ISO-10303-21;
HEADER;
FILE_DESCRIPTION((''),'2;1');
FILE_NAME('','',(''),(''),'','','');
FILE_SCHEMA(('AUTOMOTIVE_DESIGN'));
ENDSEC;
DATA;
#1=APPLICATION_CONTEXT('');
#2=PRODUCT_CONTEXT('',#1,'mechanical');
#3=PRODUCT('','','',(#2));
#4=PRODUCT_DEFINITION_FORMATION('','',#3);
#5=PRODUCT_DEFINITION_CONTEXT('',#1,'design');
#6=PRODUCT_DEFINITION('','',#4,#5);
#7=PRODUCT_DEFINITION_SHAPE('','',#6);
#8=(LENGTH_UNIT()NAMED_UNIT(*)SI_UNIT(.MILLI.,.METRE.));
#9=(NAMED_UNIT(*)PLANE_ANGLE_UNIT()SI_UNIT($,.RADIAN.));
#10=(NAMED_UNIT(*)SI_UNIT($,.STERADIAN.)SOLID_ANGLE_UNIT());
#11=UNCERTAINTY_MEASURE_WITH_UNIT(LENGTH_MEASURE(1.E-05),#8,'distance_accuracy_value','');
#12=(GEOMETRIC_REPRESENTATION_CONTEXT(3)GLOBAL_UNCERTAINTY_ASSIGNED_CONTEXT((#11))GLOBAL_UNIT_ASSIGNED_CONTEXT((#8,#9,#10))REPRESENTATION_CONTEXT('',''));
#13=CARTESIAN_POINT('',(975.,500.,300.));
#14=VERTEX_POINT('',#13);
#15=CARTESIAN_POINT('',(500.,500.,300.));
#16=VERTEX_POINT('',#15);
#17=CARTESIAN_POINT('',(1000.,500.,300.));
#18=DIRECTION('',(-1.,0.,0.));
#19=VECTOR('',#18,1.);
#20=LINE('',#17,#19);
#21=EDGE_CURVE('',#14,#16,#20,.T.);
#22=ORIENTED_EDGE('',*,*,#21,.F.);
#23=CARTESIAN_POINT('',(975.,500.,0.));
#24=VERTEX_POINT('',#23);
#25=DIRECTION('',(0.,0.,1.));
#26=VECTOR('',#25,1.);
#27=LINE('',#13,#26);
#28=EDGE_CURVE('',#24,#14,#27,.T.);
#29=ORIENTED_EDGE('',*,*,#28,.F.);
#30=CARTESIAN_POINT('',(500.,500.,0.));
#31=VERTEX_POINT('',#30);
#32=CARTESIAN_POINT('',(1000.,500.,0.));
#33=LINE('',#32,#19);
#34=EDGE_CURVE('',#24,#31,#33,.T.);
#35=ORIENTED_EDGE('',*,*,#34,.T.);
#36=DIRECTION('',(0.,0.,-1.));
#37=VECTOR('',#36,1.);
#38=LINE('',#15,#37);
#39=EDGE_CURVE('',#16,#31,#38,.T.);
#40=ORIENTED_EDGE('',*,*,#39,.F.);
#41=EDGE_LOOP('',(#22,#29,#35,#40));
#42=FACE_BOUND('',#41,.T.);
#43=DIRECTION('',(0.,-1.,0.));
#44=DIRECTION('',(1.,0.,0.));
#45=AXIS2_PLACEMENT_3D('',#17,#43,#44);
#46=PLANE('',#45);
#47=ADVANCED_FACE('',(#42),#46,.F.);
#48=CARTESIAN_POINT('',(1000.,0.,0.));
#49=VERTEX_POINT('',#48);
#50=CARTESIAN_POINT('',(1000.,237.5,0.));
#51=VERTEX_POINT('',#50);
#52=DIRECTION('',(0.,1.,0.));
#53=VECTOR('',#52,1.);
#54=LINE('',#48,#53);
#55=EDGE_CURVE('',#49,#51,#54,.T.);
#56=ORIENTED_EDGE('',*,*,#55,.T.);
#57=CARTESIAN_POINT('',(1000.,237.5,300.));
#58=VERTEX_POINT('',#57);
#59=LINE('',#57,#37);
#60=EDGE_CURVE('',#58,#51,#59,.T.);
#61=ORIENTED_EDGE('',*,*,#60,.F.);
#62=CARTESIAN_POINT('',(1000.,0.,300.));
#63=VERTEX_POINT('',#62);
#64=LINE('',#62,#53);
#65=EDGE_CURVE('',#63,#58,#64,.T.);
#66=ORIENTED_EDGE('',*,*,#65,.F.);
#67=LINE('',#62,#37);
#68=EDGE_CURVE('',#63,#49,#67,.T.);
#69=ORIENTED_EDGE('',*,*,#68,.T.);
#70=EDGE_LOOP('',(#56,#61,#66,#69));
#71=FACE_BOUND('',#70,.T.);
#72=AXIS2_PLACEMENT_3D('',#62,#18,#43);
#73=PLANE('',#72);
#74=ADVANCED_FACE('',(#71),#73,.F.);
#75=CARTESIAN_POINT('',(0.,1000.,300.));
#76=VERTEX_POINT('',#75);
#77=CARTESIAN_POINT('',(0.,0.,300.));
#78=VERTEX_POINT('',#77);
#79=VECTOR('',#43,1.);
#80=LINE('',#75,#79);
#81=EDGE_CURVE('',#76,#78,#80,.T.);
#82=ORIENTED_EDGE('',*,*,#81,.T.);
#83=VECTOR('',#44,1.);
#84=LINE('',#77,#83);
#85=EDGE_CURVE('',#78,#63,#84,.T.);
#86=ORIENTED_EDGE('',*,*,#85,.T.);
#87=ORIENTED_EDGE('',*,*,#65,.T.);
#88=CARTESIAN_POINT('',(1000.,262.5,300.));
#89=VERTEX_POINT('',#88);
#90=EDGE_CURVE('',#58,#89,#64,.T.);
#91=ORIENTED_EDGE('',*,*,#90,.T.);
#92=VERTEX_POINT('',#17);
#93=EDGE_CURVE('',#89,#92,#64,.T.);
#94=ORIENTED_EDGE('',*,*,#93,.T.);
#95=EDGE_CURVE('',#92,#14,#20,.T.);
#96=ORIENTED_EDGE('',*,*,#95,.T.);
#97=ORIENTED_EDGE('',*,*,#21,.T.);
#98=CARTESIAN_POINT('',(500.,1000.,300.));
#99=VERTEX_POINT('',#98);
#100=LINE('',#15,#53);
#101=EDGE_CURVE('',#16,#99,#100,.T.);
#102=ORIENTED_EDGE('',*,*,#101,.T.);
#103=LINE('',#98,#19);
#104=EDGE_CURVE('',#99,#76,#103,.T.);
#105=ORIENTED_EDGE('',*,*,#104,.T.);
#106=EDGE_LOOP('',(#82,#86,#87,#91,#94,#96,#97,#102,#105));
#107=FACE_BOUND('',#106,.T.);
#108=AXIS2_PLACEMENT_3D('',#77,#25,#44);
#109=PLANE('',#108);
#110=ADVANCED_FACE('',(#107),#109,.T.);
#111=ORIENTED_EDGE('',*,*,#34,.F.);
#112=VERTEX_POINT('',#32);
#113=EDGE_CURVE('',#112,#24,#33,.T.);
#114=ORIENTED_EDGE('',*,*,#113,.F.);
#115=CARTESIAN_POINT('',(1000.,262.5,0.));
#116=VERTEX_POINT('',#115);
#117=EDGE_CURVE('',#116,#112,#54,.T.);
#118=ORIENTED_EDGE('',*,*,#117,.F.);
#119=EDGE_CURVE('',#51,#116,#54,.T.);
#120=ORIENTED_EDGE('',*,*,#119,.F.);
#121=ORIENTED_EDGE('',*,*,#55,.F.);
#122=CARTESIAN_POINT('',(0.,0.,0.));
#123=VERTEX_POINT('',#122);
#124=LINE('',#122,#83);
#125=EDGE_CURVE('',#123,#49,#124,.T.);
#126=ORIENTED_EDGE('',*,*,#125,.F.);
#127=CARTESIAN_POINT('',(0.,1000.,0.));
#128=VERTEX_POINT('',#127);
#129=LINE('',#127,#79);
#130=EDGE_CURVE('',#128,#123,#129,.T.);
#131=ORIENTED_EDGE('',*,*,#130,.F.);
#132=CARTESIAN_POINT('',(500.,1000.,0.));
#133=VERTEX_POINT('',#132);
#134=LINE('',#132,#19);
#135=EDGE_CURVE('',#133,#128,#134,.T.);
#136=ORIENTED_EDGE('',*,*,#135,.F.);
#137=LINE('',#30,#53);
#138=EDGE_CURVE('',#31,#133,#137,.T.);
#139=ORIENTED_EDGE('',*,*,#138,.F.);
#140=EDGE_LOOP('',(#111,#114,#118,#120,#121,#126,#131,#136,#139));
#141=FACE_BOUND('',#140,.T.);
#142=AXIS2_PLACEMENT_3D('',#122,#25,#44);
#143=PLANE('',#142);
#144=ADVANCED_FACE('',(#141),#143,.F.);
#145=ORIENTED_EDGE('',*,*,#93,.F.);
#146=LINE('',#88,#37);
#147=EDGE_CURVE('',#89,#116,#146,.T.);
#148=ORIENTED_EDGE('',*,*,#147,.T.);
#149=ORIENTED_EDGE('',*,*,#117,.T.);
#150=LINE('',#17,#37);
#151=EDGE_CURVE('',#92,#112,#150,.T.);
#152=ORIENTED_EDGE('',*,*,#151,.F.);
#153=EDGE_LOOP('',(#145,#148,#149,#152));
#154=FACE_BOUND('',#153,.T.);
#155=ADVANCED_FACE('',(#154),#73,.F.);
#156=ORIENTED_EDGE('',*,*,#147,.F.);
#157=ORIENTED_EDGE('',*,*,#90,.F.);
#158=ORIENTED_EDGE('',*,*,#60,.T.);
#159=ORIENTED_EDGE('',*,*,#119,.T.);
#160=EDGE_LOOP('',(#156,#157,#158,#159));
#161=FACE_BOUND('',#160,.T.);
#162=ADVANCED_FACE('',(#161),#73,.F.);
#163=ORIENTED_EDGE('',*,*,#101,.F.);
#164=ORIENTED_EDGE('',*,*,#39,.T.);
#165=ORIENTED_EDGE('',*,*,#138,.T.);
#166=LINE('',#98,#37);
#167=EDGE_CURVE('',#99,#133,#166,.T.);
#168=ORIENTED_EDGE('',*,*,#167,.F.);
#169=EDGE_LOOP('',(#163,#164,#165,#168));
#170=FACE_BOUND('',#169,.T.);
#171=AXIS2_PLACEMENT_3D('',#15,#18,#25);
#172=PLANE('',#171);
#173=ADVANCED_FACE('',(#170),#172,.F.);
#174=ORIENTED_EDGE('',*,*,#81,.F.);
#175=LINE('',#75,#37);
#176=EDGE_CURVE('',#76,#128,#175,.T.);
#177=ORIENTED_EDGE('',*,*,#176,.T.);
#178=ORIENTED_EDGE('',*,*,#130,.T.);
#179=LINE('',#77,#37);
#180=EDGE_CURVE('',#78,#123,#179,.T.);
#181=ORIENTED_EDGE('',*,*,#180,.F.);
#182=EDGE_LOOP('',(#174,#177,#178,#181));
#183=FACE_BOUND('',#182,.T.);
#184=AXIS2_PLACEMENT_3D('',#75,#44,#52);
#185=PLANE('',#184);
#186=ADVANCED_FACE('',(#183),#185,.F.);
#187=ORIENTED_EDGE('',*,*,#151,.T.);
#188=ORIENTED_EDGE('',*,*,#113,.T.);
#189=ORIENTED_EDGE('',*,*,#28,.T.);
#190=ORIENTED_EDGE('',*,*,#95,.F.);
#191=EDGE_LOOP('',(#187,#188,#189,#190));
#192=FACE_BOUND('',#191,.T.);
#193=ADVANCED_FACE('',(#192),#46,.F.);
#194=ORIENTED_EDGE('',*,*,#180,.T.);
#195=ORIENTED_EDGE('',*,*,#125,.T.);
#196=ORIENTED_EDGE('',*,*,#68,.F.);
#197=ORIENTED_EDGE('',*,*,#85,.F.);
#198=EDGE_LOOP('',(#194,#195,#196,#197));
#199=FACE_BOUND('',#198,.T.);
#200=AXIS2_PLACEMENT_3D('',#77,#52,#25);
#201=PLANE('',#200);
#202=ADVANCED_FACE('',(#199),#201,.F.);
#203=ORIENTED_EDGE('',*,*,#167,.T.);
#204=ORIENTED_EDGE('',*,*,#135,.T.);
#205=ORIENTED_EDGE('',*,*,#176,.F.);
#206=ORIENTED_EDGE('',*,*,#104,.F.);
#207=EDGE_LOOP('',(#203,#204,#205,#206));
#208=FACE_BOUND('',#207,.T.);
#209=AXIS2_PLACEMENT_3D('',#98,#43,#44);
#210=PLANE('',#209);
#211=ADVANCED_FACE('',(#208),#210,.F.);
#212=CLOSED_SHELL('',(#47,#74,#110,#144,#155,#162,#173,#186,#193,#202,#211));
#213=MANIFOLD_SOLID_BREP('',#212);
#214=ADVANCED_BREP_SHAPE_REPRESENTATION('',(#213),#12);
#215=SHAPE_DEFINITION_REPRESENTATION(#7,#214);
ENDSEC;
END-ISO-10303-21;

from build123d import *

# Parameters (mm, degrees)
BOSS_EXTRUDE1_DEPTH = 300


with BuildPart() as part:
    # Sketch1 → Boss-Extrude1 (new body)
    with BuildSketch(Plane.XY):
        Polygon((0, 0), (1000, 0), (1000, 500), (500, 500), (500, 1000), (0, 1000), align=None)
    extrude(amount=BOSS_EXTRUDE1_DEPTH)


solid = part.part
